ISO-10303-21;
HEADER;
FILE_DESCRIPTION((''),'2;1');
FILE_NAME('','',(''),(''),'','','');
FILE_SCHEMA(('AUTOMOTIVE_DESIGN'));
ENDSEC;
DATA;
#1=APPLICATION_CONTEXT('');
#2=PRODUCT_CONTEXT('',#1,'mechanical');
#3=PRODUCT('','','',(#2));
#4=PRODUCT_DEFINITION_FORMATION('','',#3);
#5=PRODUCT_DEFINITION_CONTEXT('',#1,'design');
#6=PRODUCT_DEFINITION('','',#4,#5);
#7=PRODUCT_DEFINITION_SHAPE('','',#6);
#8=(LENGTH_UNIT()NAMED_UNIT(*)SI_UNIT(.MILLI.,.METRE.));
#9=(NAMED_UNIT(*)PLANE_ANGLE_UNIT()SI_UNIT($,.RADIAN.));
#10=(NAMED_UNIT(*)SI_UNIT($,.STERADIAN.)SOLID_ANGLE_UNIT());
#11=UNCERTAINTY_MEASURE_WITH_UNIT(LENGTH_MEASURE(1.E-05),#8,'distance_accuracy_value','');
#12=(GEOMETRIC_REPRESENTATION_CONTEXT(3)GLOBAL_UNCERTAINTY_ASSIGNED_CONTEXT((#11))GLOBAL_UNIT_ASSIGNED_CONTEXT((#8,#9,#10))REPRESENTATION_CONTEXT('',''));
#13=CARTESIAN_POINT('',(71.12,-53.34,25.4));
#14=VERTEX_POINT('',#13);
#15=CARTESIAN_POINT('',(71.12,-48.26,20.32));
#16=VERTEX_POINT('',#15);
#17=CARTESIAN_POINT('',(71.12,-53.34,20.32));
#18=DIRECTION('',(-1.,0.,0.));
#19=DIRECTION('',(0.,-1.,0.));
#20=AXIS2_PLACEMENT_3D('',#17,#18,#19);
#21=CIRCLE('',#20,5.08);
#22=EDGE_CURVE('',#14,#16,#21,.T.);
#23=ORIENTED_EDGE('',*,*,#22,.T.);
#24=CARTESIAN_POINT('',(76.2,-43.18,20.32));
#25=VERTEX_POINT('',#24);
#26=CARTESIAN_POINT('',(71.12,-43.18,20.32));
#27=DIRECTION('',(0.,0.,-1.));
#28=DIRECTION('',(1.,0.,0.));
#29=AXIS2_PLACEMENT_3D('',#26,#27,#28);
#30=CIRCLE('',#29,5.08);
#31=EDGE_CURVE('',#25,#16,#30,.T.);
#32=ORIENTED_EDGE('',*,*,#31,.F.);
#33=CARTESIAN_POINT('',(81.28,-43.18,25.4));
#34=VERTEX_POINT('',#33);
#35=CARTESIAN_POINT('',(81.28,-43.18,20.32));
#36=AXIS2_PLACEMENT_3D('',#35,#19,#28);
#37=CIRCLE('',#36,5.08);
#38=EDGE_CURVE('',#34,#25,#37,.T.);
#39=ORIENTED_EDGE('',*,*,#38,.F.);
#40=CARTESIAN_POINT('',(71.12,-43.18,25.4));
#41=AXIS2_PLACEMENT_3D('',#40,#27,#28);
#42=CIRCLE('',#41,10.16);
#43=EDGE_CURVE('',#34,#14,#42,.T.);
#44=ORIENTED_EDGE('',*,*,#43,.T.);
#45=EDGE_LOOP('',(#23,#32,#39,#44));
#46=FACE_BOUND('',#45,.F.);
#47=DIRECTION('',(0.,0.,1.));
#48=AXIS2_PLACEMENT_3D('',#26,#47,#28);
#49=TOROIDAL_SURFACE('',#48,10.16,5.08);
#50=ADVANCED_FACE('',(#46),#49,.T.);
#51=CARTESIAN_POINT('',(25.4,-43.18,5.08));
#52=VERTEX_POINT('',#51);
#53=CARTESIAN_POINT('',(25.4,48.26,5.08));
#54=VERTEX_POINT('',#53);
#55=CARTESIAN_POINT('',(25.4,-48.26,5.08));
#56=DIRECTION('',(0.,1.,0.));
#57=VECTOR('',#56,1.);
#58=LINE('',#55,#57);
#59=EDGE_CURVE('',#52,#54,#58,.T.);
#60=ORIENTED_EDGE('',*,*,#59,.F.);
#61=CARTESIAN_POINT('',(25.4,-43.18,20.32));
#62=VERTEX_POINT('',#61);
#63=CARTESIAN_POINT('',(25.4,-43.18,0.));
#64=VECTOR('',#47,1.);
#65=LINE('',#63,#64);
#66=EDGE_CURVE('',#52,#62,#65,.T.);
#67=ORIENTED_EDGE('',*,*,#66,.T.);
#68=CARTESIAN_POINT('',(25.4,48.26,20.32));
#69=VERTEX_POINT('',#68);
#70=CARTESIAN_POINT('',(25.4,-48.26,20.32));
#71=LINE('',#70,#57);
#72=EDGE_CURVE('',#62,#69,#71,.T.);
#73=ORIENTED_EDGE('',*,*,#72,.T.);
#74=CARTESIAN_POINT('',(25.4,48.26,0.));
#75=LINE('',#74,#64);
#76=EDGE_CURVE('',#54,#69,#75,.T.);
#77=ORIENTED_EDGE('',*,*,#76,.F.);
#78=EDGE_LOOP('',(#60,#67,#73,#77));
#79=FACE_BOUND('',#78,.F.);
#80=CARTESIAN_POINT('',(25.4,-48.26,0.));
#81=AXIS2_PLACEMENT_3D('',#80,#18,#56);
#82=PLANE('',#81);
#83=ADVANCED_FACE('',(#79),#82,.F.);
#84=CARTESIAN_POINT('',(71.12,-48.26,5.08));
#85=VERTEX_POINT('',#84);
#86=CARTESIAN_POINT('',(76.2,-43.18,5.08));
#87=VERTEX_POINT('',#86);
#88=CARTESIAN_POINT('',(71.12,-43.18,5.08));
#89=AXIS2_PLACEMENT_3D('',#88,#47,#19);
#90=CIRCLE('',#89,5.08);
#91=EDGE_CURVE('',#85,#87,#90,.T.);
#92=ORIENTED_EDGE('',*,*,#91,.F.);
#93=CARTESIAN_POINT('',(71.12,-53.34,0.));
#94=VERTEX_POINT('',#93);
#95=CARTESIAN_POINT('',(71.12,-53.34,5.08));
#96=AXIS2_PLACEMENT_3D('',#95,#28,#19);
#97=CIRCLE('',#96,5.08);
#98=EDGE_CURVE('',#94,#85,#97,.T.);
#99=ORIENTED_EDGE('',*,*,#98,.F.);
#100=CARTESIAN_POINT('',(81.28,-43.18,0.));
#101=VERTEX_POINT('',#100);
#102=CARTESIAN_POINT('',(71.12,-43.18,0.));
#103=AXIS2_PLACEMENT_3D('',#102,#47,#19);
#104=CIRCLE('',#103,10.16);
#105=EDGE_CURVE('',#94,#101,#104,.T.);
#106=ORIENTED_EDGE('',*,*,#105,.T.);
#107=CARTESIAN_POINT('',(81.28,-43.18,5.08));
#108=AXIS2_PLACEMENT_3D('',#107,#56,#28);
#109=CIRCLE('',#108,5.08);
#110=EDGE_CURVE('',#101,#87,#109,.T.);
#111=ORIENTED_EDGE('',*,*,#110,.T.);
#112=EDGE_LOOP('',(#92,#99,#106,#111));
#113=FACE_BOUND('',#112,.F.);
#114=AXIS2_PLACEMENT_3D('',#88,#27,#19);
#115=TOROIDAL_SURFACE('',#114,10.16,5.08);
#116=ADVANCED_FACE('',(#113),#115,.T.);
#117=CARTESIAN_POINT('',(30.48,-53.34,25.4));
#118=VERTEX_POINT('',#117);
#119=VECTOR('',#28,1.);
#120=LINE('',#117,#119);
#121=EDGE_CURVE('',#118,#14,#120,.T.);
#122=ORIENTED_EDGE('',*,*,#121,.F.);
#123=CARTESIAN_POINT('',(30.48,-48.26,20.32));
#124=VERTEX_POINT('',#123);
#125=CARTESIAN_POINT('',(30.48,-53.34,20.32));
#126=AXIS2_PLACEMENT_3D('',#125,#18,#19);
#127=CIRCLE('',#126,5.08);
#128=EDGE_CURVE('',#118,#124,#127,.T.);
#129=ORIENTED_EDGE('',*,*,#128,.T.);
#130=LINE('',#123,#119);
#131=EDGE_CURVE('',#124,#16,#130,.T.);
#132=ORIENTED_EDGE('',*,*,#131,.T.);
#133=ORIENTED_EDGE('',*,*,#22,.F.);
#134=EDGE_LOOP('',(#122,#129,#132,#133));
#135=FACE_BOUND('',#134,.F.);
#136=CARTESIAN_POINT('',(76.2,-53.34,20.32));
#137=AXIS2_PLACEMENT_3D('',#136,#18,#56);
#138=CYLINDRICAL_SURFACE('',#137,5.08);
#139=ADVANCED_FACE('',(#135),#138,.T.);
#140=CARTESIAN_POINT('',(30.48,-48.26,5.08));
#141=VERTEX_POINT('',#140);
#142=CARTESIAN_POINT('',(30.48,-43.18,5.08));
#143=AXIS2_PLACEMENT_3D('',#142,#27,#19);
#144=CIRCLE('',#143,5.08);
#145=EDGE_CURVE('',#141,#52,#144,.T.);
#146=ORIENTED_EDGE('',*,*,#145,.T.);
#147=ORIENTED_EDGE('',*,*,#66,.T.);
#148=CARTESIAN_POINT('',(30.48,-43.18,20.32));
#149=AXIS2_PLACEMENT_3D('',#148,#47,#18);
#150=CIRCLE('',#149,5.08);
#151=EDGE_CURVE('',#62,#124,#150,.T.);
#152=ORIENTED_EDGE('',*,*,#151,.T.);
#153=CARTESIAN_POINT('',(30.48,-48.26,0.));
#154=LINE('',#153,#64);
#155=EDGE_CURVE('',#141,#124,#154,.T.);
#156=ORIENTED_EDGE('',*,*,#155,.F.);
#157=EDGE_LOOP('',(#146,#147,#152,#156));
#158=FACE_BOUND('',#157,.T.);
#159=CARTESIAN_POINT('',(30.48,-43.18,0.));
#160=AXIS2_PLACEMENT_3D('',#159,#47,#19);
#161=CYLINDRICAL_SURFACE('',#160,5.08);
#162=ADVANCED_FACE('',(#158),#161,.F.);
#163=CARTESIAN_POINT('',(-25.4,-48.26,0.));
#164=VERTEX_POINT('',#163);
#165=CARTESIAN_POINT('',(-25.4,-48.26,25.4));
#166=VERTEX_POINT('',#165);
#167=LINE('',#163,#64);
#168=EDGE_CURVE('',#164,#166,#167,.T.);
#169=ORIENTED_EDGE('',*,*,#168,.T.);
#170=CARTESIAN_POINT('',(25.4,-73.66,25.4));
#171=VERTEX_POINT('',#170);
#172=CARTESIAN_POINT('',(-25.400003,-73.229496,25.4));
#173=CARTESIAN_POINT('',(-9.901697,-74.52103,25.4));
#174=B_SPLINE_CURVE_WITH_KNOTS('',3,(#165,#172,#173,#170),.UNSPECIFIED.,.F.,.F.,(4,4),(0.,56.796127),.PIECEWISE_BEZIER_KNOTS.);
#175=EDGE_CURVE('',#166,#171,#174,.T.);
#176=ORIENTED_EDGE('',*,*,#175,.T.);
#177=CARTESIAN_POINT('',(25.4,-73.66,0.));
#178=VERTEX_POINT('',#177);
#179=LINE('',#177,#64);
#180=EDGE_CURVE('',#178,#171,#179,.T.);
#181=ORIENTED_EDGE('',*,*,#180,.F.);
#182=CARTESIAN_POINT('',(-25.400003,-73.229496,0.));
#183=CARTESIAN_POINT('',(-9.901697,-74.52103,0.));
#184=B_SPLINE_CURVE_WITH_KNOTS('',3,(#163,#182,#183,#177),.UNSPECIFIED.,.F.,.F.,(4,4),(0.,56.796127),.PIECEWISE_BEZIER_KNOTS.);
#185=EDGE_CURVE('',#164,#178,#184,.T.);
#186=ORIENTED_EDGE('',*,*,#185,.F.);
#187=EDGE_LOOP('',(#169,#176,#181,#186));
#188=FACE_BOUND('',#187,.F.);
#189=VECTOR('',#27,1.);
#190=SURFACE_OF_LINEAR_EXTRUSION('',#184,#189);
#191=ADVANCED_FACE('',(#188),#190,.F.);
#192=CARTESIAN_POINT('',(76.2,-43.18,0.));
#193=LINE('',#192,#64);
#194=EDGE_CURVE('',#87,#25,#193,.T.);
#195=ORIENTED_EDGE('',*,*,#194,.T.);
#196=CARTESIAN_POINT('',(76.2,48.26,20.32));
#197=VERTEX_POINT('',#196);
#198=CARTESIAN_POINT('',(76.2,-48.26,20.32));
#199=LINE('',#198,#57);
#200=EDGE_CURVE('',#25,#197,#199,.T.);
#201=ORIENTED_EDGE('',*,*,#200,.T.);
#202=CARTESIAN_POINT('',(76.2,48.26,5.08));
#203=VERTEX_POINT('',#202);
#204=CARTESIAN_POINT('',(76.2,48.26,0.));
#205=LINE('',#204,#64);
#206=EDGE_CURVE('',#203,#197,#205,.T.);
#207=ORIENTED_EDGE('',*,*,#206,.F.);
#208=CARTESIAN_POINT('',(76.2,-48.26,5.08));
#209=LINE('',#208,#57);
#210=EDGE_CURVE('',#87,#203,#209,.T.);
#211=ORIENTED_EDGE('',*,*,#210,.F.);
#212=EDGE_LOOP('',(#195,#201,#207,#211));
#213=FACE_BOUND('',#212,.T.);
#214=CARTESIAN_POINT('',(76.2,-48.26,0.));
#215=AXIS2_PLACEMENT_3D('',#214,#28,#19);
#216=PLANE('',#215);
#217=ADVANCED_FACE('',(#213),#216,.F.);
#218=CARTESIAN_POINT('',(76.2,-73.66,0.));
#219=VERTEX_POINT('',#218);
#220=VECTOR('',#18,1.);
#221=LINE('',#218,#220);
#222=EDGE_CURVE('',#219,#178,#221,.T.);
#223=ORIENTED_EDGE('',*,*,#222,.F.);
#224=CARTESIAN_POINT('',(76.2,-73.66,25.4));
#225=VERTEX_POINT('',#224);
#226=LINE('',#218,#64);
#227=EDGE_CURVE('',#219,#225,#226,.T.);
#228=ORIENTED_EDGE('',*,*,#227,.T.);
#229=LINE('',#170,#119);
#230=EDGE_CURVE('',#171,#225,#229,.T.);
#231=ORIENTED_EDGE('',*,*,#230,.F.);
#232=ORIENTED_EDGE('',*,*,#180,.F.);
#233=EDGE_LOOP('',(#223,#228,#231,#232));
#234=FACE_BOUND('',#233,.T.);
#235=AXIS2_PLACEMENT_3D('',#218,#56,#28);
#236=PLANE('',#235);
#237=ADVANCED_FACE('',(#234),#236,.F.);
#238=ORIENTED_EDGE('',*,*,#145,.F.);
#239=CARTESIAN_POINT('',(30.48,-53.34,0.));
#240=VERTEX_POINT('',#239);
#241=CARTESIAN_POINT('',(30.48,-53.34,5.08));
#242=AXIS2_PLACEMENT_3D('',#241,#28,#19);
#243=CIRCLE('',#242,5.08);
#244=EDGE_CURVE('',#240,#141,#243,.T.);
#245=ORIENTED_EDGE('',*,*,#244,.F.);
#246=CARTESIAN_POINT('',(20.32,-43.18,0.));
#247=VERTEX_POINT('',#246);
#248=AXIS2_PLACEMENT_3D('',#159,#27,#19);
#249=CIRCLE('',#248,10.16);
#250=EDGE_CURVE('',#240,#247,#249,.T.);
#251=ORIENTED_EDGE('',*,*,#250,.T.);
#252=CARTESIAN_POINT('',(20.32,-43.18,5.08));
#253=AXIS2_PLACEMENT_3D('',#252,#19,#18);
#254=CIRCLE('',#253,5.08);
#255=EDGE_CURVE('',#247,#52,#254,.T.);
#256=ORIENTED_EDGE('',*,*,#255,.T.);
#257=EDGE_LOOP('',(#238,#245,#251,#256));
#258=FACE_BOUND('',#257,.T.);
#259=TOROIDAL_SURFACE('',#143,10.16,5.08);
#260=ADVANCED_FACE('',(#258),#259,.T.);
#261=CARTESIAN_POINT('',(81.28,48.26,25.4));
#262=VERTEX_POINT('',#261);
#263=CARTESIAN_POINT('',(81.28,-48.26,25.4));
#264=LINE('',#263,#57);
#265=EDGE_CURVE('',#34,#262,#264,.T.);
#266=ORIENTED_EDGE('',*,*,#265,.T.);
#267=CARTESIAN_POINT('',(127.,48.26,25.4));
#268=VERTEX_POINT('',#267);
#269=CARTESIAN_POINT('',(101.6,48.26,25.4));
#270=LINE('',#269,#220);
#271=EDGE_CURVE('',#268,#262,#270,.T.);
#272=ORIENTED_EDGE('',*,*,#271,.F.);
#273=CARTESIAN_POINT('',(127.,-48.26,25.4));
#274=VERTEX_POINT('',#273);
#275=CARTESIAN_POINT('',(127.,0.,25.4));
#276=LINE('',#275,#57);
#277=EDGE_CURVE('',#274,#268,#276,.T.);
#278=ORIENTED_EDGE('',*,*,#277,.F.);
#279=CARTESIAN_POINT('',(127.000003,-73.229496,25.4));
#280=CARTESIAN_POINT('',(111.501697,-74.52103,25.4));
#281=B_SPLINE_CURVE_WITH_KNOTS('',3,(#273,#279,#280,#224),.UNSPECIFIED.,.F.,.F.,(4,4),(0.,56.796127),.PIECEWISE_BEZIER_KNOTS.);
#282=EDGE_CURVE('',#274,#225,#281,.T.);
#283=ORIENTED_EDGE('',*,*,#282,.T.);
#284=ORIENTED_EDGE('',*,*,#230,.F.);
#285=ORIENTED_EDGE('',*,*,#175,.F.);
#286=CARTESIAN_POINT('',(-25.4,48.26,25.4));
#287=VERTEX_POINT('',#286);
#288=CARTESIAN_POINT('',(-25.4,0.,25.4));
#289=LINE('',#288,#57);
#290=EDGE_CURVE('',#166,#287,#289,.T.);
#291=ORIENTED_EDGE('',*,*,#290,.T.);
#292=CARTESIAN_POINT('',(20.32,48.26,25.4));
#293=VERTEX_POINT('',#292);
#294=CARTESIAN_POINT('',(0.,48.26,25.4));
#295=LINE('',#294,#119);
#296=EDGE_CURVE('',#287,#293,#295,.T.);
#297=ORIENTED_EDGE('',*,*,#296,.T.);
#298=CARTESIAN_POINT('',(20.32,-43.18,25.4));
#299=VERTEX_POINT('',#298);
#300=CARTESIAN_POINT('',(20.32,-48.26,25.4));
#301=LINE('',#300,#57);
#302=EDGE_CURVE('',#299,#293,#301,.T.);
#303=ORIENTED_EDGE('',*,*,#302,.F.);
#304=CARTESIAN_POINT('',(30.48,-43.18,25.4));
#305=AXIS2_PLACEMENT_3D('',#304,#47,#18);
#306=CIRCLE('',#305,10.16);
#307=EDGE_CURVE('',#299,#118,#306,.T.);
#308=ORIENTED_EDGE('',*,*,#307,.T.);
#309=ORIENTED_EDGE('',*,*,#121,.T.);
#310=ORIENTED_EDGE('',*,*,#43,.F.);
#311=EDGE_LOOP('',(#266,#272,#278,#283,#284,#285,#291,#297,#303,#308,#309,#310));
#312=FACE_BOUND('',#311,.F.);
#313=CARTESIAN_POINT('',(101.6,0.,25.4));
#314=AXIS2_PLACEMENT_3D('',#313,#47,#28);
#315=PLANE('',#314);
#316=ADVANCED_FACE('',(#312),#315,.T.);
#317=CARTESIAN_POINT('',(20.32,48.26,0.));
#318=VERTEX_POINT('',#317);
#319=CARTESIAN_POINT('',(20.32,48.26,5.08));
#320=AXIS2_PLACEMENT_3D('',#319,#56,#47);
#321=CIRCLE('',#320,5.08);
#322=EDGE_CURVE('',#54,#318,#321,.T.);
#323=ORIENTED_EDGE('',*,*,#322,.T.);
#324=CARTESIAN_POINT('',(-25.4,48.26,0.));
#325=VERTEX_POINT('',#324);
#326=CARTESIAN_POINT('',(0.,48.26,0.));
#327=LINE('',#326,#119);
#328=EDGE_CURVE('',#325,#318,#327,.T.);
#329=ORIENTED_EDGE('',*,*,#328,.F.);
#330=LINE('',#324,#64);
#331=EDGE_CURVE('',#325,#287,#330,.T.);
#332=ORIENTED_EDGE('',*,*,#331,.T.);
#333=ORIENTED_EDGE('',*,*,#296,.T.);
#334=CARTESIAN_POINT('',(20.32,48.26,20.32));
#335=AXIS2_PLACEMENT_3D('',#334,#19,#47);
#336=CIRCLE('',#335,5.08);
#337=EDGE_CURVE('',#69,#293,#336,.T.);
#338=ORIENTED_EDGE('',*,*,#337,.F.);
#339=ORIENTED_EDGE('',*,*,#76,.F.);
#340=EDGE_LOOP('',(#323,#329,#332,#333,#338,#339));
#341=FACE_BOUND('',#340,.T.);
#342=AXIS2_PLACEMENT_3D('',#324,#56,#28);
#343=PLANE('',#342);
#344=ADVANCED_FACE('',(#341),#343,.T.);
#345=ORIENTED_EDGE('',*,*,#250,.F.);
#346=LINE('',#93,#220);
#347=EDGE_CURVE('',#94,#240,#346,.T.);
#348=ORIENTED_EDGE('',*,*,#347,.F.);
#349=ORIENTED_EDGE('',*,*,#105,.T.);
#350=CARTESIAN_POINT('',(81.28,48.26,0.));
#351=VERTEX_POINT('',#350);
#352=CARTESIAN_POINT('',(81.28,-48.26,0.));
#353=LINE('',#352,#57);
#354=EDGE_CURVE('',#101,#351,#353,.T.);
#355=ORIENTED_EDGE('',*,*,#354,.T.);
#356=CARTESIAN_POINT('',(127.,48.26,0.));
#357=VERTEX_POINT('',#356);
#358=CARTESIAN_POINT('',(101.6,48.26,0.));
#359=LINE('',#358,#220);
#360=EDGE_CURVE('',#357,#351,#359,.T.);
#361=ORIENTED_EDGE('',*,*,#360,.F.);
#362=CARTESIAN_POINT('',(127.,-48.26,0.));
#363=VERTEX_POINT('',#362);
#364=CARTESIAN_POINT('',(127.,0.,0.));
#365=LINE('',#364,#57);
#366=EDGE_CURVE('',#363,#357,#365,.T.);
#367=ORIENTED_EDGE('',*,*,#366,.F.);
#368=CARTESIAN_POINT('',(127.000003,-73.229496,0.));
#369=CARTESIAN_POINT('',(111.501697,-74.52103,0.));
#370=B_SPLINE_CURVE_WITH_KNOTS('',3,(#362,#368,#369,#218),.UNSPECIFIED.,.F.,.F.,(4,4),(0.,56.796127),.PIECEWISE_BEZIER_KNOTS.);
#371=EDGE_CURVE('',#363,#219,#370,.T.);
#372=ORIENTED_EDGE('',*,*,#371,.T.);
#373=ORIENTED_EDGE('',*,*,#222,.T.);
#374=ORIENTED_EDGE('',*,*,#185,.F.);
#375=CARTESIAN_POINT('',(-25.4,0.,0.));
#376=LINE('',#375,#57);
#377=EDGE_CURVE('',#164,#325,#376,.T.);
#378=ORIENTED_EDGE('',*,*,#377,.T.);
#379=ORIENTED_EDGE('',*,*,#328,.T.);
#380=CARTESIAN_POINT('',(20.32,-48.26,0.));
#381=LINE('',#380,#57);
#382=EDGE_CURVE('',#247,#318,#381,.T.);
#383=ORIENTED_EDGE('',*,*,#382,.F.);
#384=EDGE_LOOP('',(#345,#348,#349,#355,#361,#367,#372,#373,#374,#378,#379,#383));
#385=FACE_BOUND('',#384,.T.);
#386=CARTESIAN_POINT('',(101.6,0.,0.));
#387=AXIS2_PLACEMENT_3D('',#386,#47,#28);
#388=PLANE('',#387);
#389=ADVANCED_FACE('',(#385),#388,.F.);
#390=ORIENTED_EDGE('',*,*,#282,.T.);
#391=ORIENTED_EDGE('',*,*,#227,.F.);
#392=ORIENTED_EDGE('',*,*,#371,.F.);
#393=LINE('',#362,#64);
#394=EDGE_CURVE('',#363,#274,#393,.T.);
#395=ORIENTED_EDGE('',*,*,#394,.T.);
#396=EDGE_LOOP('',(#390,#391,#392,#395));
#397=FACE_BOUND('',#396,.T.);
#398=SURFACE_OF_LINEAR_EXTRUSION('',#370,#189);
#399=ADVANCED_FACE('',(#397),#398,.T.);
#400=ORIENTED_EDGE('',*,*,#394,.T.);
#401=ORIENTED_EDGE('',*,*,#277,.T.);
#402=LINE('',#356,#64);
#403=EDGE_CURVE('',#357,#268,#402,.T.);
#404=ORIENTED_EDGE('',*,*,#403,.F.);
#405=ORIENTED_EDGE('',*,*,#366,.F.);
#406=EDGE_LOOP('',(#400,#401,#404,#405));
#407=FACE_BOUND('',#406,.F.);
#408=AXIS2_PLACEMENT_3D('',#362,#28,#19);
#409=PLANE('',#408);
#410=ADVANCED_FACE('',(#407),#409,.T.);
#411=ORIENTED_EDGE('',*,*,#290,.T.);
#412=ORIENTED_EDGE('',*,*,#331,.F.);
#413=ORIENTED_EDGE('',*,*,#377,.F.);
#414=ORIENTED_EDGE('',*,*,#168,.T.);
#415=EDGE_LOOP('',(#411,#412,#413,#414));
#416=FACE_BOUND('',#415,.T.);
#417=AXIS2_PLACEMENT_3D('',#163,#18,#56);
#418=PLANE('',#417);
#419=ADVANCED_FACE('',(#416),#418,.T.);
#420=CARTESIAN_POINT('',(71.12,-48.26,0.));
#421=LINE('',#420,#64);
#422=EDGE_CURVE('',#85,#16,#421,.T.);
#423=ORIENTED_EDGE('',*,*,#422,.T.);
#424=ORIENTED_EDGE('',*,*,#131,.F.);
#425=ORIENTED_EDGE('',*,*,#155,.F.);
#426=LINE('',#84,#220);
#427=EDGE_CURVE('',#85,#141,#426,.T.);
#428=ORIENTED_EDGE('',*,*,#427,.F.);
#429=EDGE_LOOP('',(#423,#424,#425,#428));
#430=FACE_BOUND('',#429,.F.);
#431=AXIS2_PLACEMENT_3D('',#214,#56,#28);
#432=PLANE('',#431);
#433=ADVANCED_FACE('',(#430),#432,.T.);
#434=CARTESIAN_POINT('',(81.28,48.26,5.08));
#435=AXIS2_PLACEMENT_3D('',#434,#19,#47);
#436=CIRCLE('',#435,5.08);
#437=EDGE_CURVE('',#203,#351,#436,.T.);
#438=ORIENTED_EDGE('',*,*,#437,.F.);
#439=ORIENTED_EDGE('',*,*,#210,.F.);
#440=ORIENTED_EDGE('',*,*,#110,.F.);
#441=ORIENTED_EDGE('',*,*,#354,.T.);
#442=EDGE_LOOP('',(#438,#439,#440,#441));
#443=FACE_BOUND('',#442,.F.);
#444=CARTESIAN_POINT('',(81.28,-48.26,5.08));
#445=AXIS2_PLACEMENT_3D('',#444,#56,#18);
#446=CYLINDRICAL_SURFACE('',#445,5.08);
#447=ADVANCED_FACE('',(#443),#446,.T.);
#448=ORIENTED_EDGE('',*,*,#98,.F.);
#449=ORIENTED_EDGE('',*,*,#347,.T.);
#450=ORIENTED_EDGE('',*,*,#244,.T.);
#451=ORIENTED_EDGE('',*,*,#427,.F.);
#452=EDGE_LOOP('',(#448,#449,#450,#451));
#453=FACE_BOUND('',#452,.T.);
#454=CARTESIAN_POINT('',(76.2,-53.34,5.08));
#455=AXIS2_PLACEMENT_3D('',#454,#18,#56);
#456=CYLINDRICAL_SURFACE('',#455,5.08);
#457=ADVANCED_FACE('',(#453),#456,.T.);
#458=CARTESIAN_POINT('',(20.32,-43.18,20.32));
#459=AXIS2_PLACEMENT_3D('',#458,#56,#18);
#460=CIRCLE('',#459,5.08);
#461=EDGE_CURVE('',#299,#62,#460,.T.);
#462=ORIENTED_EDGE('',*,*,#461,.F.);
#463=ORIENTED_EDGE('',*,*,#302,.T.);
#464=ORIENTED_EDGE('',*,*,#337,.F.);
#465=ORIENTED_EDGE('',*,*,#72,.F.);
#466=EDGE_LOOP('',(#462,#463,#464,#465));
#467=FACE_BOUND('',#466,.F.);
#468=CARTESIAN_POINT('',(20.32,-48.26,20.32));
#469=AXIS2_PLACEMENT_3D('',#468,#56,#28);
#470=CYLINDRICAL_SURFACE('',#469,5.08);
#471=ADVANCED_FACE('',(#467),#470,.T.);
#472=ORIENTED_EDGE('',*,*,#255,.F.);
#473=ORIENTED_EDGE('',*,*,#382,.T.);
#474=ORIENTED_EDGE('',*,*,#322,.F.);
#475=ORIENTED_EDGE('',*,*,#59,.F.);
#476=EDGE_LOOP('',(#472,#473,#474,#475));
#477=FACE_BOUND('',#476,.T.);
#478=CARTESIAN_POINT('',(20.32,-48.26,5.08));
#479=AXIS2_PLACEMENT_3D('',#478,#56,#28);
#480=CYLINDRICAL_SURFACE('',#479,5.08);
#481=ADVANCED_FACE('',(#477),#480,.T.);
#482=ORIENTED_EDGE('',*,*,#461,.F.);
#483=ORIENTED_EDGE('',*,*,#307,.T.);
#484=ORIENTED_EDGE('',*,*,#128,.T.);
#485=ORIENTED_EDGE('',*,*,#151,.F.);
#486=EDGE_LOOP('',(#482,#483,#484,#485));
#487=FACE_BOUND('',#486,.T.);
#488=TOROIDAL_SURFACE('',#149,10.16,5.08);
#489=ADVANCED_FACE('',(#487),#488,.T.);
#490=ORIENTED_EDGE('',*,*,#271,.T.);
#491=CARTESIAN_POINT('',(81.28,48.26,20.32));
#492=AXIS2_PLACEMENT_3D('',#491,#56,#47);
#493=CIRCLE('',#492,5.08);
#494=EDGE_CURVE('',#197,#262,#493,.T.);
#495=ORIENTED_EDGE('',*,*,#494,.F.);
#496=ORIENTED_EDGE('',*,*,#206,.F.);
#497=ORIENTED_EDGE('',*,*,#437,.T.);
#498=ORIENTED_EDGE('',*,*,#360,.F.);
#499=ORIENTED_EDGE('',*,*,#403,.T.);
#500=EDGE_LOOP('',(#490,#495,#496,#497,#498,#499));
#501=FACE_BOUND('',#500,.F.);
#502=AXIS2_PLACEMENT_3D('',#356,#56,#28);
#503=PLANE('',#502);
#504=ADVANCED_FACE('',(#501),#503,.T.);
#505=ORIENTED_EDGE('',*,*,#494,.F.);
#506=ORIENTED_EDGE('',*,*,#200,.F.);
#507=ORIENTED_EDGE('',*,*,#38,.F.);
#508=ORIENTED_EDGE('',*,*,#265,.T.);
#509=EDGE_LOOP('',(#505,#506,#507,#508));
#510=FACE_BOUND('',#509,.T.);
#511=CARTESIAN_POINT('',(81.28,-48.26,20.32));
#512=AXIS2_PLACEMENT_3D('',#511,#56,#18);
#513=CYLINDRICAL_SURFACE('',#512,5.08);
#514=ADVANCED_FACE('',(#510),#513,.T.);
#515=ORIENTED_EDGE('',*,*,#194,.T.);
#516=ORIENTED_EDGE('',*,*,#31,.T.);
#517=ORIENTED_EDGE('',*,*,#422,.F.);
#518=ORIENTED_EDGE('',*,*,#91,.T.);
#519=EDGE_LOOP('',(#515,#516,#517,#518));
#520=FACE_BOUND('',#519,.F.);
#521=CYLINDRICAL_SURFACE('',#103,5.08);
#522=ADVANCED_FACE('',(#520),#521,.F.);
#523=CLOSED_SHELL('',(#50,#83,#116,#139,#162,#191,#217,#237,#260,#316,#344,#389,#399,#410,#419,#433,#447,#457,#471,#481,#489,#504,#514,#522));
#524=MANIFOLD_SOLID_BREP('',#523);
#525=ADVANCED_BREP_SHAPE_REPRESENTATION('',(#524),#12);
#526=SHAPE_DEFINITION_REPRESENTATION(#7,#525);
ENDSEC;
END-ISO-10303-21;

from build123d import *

# Parameters (mm, degrees)
F0_W     = 50.8
F0_H     = 96.52
F0_W_2   = 25.4
F0_H_2   = 25.4
F1_DEPTH = 25.4
F2_R     = 5.08


with BuildPart() as f1:
    # F0 (on Top) → F1 (new body)
    with BuildSketch(Plane.XY):
        Rectangle(F0_W, F0_H)
        with BuildLine():
            Line((25.4, -48.26), (-25.4, -48.26))
            add(Edge.make_bspline(
                [(-25.4, -48.26), (-25.400003, -73.229496), (-9.901697, -74.52103), (25.4, -73.66)],
                knots=[0, 0, 0, 0, 56.796127, 56.796127, 56.796127, 56.796127], degree=3))
            Line((25.4, -73.66), (25.4, -48.26))
        make_face()
        with Locations((38.1, -60.96)):
            Rectangle(F0_W_2, F0_H_2)
    extrude(amount=F1_DEPTH)

    # F2
    f2_edges = [f1.edges().sort_by_distance(p)[0] for p in [
        (25.4, 0, 25.4),
        (38.1, -48.26, 25.4),
        (38.1, -48.26, 0),
        (25.4, 0, 0),
        (25.4, -48.26, 12.7),
    ]]
    fillet(f2_edges, radius=F2_R)

    # F3: F1 across face


with BuildPart() as f1_1:
    add(f1.part)
    add(f1.part.mirror(Plane(origin=(50.8, -61.162023, 12.7), x_dir=(0, 1, 0), z_dir=(1, 0, 0))))


solid = f1_1.part
